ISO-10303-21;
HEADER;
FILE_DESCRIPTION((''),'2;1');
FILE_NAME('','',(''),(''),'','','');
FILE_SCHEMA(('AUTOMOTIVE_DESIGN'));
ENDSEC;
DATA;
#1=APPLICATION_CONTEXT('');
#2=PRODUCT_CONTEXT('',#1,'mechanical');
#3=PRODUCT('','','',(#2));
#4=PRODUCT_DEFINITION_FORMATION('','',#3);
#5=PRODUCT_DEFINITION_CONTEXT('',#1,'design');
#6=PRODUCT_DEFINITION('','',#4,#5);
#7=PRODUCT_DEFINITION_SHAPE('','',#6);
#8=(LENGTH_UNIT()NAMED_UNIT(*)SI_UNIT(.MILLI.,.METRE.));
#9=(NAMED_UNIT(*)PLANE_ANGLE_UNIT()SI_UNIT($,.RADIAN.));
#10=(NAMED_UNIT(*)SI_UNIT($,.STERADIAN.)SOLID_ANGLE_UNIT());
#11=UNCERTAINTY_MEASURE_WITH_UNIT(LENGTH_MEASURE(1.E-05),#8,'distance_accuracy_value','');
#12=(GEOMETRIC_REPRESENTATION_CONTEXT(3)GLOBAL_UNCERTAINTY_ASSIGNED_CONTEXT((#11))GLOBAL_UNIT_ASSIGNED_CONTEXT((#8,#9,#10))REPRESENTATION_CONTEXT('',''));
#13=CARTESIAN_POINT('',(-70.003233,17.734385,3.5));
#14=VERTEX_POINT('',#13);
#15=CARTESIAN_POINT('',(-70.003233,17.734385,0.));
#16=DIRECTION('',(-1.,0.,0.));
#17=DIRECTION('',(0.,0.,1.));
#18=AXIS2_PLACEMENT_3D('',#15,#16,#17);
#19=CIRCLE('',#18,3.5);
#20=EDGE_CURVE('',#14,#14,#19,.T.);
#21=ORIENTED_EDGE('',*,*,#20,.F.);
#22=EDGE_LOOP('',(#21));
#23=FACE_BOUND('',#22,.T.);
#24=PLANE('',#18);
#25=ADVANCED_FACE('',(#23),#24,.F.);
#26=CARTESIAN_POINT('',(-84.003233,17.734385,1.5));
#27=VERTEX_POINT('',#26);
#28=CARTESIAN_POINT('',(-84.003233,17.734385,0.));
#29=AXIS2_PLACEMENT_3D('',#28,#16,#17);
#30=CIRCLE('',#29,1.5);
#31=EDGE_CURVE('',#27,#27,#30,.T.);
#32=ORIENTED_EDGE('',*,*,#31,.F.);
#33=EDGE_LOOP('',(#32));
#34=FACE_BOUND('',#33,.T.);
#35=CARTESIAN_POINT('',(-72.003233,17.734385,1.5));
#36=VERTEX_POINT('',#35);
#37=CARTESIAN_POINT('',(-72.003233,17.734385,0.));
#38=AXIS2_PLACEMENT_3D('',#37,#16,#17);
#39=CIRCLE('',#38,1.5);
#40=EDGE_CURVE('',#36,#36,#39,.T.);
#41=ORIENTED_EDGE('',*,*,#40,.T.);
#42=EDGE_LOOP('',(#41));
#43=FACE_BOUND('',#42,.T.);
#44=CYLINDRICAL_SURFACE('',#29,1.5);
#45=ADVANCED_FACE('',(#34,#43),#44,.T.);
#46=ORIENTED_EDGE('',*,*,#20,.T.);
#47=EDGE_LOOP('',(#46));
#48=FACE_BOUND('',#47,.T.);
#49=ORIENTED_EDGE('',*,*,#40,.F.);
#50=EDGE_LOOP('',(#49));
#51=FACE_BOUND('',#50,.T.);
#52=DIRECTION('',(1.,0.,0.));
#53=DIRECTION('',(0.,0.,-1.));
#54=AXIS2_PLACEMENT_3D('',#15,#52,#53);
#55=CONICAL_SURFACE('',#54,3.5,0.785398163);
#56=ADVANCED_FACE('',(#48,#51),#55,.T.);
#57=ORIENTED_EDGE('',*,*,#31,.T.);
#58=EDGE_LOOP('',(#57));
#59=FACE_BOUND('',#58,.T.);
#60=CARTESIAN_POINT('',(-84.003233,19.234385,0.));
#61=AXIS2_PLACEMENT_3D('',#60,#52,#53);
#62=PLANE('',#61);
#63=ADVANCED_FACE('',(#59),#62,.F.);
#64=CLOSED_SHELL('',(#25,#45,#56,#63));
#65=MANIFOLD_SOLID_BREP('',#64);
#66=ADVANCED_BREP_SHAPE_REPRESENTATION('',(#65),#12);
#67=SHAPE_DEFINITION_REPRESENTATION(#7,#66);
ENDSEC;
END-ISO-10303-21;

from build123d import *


with BuildPart() as part:
    # Sketch1 → Revolve2 (revolve)
    with BuildSketch(Plane.XY, mode=Mode.PRIVATE) as revolve2_sk:
        Polygon((-84.003233386, 19.234385214), (-72.003233386, 19.234385214), (-70.003233386, 21.234385214), (-70.003233386, 17.734385214), (-84.003233386, 17.734385214), align=None)
    revolve(revolve2_sk.sketch.rotate(Axis((-84.003233386, 17.734385214, 0), (1, 0, 0)), 90), axis=Axis((-84.003233386, 17.734385214, 0), (1, 0, 0)))


solid = part.part
